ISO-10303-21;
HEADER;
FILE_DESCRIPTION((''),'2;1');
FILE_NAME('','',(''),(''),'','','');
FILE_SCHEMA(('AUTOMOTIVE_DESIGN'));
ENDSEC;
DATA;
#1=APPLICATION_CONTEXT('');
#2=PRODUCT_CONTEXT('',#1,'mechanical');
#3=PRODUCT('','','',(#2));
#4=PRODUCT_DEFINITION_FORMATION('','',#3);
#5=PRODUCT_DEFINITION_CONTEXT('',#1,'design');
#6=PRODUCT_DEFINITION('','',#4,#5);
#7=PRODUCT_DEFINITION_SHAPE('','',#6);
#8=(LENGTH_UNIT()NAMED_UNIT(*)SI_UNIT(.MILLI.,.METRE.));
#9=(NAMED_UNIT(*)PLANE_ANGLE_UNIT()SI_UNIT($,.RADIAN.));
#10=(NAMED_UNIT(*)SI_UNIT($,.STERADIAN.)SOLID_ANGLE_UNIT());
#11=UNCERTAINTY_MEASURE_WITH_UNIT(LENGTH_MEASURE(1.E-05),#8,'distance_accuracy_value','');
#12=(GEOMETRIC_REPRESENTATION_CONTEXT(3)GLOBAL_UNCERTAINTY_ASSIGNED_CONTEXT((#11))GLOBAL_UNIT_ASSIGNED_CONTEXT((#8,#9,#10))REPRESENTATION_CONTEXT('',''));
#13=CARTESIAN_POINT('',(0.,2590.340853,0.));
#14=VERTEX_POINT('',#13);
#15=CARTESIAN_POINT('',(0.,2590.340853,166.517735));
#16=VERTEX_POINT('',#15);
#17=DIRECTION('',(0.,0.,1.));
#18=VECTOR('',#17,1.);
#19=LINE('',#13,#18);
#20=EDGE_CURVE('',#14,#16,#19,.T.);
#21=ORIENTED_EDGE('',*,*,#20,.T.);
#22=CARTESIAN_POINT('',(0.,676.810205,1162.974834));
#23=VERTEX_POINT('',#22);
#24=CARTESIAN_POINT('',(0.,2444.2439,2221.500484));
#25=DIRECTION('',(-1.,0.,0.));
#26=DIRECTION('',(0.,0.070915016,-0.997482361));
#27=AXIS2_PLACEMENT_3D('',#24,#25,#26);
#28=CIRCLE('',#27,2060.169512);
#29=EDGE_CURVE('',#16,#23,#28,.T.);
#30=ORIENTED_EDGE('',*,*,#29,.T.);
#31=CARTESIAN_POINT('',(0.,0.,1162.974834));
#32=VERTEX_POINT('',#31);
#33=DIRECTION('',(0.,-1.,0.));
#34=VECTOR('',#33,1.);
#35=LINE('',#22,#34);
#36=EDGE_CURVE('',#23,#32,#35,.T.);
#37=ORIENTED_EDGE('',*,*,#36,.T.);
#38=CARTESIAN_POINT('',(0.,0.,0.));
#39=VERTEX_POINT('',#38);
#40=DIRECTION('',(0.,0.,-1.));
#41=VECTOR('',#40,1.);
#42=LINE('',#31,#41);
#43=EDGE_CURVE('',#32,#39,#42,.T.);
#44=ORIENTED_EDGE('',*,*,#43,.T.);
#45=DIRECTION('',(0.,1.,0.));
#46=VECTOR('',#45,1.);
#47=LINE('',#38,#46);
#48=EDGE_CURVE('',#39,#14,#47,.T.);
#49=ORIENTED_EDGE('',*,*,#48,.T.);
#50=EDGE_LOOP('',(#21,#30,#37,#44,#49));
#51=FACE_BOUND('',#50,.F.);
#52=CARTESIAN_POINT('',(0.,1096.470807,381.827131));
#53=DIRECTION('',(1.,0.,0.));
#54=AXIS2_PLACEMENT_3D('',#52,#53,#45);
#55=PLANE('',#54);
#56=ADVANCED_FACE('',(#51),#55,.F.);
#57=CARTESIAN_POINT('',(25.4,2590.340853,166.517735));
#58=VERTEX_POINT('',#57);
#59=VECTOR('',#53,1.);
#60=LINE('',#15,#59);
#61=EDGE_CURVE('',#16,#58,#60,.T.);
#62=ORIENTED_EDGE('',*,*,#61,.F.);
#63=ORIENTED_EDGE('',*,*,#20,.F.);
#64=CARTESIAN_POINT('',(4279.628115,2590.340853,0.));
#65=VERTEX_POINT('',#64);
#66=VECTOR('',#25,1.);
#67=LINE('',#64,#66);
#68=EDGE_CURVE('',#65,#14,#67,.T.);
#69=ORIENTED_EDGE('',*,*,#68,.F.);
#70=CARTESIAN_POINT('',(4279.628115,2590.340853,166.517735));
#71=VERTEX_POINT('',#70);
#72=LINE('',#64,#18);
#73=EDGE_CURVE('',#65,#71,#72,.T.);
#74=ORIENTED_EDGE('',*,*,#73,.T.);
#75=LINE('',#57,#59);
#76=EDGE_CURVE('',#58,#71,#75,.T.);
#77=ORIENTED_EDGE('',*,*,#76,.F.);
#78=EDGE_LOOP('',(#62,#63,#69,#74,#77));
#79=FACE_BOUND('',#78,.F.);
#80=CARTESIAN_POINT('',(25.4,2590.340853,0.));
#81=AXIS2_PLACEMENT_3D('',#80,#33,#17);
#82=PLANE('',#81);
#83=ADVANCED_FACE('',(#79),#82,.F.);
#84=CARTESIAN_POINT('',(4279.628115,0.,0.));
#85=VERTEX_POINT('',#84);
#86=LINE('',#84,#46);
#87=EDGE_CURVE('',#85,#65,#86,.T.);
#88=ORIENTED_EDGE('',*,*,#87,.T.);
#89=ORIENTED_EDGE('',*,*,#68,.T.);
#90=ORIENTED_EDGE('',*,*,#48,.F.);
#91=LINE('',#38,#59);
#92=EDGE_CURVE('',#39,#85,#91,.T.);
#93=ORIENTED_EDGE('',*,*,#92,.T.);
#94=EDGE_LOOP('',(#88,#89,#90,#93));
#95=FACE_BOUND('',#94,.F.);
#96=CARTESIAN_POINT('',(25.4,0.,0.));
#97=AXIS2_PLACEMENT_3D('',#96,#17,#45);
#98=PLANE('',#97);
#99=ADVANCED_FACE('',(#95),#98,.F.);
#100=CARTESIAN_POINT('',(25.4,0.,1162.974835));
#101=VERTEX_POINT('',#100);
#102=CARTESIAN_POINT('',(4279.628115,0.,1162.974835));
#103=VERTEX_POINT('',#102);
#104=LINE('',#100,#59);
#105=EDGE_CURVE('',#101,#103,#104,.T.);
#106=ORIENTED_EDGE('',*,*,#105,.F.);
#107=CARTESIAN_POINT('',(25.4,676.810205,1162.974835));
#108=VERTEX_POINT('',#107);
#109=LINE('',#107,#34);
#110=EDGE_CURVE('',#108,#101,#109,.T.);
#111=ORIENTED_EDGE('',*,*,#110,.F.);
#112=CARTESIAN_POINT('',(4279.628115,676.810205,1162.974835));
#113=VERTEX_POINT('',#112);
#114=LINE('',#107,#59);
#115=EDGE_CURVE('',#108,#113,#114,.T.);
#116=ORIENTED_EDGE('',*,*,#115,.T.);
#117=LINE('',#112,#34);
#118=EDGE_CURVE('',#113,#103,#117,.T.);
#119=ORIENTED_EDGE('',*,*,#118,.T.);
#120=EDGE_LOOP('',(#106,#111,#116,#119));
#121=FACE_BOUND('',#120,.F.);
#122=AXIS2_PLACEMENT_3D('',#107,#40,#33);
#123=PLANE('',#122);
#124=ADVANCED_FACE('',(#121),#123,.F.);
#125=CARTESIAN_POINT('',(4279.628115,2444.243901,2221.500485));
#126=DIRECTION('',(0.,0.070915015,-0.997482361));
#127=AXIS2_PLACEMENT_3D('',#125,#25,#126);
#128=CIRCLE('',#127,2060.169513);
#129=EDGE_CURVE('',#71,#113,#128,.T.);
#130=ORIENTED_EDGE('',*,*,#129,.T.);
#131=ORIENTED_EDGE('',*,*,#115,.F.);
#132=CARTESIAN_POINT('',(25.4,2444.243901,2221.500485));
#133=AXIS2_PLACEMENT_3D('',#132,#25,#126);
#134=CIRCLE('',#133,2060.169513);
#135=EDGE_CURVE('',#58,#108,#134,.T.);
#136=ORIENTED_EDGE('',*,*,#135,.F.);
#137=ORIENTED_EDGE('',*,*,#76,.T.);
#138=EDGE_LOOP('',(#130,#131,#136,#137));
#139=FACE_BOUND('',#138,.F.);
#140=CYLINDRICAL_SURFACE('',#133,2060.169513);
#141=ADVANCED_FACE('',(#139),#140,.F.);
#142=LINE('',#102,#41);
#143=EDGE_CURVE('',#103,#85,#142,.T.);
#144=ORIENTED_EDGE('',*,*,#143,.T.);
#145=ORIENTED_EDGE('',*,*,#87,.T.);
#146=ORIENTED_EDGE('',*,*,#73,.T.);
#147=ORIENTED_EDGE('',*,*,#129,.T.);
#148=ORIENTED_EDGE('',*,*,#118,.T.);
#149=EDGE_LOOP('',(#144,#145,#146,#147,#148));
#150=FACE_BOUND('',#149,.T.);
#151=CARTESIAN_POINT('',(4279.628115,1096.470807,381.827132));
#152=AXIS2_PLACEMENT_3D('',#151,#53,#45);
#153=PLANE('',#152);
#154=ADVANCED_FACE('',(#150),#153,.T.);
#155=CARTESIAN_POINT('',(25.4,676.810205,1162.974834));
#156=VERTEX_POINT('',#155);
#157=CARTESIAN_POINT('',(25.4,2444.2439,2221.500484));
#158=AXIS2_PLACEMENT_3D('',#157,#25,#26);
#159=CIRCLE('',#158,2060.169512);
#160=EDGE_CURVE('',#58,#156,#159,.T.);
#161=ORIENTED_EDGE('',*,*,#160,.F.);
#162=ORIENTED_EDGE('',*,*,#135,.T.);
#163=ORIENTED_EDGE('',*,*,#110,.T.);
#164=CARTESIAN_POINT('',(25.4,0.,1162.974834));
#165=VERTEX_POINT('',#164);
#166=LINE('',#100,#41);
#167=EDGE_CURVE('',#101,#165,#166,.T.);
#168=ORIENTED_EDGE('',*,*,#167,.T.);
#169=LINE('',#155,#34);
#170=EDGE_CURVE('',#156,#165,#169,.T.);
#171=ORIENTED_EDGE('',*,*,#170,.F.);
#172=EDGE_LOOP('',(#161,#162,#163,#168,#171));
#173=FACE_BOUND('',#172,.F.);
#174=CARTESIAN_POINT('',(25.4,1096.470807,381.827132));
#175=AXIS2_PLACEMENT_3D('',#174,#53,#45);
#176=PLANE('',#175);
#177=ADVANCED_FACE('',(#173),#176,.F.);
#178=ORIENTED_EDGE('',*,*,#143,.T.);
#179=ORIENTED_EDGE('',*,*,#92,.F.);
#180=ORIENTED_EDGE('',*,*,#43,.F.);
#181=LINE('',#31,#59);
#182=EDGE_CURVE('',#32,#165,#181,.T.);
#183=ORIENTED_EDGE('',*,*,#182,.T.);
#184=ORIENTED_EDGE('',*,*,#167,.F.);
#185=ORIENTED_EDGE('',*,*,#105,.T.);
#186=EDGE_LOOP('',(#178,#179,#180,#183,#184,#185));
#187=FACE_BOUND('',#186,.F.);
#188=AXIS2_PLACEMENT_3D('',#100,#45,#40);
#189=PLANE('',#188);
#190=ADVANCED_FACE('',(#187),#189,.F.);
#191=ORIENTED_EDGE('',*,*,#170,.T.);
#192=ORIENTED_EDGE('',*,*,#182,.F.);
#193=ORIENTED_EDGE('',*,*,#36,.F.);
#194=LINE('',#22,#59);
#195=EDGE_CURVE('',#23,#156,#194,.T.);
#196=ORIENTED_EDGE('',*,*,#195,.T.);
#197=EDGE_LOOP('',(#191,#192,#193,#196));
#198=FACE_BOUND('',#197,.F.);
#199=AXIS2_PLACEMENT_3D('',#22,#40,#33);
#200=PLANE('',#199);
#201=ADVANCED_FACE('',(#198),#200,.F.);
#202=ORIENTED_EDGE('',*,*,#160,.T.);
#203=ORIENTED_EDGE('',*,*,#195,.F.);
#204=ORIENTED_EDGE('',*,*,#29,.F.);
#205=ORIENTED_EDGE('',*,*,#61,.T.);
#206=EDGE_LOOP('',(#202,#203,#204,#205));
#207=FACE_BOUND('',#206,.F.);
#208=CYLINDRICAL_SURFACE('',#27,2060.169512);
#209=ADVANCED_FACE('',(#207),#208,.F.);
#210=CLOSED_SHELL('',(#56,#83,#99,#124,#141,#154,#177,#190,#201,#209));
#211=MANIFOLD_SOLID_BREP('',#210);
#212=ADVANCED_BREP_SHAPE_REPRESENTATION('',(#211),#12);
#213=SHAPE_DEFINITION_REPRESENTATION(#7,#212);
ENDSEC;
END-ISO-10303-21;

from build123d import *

# Parameters (mm, degrees)
F1_DEPTH = 25.4
F2_DEPTH = 4254.228115


with BuildPart() as f1:
    # F0 (on Right) → F1 (new body)
    with BuildSketch(Plane.YZ):
        with BuildLine():
            Line((676.810205, 1162.974834), (0, 1162.974834))
            Line((0, 1162.974834), (0, 0))
            Line((0, 0), (2590.340853, 0))
            Line((2590.340853, 0), (2590.340853, 166.517735))
            ThreePointArc((2590.340853, 166.517735), (1492.710981, 394.239276), (676.810205, 1162.974834))
        make_face()
    extrude(amount=F1_DEPTH)

    # F1_face (on face) → F2 (join)
    with BuildSketch(Plane(origin=(25.4, 828.989862, 441.251245), x_dir=(0, 1, 0), z_dir=(1, 0, 0))):
        with BuildLine():
            Line((-152.179657, 721.72359), (-828.989862, 721.72359))
            Line((-828.989862, 721.72359), (-828.989862, -441.251245))
            Line((-828.989862, -441.251245), (1761.350991, -441.251245))
            Line((1761.350991, -441.251245), (1761.350991, -274.73351))
            ThreePointArc((1761.350991, -274.73351), (663.72112, -47.011969), (-152.179657, 721.72359))
        make_face()
    extrude(amount=F2_DEPTH)


solid = f1.part
